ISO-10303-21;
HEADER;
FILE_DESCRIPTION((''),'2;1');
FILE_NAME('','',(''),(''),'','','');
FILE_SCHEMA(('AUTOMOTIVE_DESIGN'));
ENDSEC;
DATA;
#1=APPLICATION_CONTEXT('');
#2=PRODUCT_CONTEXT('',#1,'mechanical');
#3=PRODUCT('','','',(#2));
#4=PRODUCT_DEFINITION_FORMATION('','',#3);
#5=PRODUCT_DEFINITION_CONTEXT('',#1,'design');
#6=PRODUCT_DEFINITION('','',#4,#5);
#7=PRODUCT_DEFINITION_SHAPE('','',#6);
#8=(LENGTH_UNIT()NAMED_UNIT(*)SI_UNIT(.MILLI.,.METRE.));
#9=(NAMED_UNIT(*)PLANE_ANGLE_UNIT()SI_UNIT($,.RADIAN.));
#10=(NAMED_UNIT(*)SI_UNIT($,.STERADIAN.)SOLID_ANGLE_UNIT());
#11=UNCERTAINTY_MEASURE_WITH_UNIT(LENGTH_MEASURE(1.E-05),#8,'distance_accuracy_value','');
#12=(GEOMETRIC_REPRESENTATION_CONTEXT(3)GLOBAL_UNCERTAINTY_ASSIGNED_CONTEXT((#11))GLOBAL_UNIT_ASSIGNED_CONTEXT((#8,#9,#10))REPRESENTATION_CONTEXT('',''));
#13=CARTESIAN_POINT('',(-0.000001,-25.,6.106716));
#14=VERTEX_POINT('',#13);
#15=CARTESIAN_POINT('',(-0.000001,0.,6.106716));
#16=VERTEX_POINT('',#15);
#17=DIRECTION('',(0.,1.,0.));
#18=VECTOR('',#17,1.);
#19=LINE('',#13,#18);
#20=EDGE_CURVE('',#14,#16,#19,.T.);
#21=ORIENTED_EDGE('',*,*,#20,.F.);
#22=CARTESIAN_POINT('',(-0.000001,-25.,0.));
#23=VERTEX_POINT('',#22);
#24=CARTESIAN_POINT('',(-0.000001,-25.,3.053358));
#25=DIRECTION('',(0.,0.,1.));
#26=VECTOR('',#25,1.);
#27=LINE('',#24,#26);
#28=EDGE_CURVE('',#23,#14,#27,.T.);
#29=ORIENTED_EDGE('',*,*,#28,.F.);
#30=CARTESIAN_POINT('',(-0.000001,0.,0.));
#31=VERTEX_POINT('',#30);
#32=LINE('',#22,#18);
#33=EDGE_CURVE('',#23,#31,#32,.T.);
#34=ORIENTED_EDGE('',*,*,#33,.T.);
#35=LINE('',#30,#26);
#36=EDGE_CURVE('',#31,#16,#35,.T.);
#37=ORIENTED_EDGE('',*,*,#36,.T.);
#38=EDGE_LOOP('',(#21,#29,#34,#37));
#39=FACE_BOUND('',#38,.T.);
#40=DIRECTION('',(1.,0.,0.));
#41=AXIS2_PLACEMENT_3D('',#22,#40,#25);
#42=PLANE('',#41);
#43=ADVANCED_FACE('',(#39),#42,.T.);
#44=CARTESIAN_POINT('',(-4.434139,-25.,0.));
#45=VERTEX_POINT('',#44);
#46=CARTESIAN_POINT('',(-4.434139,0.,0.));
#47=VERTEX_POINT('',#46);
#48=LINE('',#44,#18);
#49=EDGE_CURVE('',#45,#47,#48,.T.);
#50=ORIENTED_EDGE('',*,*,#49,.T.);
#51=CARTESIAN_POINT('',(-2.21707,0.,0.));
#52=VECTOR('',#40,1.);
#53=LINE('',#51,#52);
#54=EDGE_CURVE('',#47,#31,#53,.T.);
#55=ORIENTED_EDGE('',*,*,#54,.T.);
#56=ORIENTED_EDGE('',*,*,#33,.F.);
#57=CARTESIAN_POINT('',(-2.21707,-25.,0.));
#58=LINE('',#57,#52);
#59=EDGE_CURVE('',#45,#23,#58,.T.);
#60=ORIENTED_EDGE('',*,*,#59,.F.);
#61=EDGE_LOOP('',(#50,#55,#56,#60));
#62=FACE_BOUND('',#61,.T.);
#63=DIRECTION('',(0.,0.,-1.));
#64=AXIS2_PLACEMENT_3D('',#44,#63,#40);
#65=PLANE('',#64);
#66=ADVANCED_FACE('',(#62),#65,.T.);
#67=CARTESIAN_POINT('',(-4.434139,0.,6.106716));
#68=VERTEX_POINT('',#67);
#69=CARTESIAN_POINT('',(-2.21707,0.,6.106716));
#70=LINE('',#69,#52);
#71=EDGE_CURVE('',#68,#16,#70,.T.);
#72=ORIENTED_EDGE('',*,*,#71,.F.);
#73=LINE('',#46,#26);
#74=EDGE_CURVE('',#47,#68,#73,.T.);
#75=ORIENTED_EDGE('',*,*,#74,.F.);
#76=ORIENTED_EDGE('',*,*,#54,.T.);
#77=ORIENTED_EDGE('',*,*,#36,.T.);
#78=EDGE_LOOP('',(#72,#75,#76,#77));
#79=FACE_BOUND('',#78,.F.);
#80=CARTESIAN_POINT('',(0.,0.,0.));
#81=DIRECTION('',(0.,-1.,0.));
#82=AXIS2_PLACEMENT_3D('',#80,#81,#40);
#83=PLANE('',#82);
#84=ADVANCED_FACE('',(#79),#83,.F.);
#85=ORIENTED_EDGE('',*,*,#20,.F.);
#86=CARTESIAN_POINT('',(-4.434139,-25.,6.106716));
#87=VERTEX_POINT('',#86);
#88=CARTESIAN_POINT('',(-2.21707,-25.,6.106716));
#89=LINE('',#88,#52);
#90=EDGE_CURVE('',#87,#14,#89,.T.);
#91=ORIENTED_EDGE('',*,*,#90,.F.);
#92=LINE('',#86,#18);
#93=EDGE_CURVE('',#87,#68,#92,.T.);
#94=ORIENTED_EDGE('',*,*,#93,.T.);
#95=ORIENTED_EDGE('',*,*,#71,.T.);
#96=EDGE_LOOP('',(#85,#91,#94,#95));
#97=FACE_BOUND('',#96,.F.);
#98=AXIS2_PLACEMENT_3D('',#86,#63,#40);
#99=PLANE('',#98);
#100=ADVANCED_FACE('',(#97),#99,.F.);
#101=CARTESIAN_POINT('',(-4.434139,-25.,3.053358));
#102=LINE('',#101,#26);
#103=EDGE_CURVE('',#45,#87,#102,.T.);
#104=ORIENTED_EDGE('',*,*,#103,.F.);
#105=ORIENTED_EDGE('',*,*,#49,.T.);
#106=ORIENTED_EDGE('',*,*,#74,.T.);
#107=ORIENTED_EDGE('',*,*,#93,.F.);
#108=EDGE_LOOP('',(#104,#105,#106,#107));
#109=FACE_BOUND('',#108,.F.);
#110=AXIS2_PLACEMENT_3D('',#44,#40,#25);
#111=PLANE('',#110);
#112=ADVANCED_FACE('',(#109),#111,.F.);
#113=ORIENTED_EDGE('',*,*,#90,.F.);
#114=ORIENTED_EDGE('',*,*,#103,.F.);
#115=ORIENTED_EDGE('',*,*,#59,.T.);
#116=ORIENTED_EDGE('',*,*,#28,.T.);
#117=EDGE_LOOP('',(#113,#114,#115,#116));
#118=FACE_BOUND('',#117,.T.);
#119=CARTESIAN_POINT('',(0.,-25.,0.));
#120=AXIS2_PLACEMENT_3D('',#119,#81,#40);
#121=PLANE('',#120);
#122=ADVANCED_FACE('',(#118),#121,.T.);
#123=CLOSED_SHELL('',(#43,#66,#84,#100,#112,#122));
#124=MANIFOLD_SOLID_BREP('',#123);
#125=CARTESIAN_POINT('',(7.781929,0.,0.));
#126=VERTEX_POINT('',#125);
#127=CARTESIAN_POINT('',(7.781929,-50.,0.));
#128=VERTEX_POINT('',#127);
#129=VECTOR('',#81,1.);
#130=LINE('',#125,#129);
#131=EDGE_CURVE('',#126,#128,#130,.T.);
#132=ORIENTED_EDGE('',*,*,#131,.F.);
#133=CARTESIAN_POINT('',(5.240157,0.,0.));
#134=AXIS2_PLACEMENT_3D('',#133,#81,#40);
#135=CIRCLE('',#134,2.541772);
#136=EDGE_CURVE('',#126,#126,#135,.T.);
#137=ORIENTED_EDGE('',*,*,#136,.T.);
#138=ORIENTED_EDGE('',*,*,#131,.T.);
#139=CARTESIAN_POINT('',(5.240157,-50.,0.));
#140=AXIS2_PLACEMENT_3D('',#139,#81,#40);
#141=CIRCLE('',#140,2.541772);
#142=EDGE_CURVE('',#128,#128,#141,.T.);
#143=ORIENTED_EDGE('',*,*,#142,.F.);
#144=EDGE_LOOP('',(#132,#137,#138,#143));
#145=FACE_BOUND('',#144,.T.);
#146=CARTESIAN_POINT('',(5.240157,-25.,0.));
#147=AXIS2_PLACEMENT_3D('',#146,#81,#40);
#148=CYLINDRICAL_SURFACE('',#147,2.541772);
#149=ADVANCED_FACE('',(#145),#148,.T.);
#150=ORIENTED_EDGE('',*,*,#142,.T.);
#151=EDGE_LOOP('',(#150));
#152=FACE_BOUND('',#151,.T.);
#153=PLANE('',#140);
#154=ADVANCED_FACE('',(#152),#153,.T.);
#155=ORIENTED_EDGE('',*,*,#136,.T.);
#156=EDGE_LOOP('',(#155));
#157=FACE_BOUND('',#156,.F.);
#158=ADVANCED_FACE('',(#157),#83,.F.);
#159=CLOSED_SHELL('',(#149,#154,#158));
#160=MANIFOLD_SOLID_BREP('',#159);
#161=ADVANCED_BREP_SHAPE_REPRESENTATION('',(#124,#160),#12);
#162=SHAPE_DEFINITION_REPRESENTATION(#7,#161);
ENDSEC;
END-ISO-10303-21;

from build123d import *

# Parameters (mm, degrees)
F0_R     = 10
F1_DEPTH = 25
F5_R     = 2.541772
F2_DEPTH = 25
F3_R     = 10
F3_W     = 4.434139
F3_H     = 6.106716
F3_R_2   = 2.541772
F4_DEPTH = 25.001


with BuildPart() as f1:
    # F0 (on Front) → F1 (new body)
    with BuildSketch(Plane.XZ):
        Circle(F0_R)
    extrude(amount=F1_DEPTH)

    # F5 (on face) → F2 (join)
    with BuildSketch(Plane.XZ.offset(25)):
        with Locations((5.240157, 0)):
            Circle(F5_R)
    extrude(amount=F2_DEPTH)

    # F3 (on face) → F4 (cut, through all)
    with BuildSketch(Plane.XZ.offset(25)):
        Circle(F3_R)
        with Locations((-2.21707, 3.053358)):
            Rectangle(F3_W, F3_H, mode=Mode.SUBTRACT)
        with Locations((5.240157, 0)):
            Circle(F3_R_2, mode=Mode.SUBTRACT)
    extrude(amount=-F4_DEPTH, mode=Mode.SUBTRACT)


solid = f1.part
